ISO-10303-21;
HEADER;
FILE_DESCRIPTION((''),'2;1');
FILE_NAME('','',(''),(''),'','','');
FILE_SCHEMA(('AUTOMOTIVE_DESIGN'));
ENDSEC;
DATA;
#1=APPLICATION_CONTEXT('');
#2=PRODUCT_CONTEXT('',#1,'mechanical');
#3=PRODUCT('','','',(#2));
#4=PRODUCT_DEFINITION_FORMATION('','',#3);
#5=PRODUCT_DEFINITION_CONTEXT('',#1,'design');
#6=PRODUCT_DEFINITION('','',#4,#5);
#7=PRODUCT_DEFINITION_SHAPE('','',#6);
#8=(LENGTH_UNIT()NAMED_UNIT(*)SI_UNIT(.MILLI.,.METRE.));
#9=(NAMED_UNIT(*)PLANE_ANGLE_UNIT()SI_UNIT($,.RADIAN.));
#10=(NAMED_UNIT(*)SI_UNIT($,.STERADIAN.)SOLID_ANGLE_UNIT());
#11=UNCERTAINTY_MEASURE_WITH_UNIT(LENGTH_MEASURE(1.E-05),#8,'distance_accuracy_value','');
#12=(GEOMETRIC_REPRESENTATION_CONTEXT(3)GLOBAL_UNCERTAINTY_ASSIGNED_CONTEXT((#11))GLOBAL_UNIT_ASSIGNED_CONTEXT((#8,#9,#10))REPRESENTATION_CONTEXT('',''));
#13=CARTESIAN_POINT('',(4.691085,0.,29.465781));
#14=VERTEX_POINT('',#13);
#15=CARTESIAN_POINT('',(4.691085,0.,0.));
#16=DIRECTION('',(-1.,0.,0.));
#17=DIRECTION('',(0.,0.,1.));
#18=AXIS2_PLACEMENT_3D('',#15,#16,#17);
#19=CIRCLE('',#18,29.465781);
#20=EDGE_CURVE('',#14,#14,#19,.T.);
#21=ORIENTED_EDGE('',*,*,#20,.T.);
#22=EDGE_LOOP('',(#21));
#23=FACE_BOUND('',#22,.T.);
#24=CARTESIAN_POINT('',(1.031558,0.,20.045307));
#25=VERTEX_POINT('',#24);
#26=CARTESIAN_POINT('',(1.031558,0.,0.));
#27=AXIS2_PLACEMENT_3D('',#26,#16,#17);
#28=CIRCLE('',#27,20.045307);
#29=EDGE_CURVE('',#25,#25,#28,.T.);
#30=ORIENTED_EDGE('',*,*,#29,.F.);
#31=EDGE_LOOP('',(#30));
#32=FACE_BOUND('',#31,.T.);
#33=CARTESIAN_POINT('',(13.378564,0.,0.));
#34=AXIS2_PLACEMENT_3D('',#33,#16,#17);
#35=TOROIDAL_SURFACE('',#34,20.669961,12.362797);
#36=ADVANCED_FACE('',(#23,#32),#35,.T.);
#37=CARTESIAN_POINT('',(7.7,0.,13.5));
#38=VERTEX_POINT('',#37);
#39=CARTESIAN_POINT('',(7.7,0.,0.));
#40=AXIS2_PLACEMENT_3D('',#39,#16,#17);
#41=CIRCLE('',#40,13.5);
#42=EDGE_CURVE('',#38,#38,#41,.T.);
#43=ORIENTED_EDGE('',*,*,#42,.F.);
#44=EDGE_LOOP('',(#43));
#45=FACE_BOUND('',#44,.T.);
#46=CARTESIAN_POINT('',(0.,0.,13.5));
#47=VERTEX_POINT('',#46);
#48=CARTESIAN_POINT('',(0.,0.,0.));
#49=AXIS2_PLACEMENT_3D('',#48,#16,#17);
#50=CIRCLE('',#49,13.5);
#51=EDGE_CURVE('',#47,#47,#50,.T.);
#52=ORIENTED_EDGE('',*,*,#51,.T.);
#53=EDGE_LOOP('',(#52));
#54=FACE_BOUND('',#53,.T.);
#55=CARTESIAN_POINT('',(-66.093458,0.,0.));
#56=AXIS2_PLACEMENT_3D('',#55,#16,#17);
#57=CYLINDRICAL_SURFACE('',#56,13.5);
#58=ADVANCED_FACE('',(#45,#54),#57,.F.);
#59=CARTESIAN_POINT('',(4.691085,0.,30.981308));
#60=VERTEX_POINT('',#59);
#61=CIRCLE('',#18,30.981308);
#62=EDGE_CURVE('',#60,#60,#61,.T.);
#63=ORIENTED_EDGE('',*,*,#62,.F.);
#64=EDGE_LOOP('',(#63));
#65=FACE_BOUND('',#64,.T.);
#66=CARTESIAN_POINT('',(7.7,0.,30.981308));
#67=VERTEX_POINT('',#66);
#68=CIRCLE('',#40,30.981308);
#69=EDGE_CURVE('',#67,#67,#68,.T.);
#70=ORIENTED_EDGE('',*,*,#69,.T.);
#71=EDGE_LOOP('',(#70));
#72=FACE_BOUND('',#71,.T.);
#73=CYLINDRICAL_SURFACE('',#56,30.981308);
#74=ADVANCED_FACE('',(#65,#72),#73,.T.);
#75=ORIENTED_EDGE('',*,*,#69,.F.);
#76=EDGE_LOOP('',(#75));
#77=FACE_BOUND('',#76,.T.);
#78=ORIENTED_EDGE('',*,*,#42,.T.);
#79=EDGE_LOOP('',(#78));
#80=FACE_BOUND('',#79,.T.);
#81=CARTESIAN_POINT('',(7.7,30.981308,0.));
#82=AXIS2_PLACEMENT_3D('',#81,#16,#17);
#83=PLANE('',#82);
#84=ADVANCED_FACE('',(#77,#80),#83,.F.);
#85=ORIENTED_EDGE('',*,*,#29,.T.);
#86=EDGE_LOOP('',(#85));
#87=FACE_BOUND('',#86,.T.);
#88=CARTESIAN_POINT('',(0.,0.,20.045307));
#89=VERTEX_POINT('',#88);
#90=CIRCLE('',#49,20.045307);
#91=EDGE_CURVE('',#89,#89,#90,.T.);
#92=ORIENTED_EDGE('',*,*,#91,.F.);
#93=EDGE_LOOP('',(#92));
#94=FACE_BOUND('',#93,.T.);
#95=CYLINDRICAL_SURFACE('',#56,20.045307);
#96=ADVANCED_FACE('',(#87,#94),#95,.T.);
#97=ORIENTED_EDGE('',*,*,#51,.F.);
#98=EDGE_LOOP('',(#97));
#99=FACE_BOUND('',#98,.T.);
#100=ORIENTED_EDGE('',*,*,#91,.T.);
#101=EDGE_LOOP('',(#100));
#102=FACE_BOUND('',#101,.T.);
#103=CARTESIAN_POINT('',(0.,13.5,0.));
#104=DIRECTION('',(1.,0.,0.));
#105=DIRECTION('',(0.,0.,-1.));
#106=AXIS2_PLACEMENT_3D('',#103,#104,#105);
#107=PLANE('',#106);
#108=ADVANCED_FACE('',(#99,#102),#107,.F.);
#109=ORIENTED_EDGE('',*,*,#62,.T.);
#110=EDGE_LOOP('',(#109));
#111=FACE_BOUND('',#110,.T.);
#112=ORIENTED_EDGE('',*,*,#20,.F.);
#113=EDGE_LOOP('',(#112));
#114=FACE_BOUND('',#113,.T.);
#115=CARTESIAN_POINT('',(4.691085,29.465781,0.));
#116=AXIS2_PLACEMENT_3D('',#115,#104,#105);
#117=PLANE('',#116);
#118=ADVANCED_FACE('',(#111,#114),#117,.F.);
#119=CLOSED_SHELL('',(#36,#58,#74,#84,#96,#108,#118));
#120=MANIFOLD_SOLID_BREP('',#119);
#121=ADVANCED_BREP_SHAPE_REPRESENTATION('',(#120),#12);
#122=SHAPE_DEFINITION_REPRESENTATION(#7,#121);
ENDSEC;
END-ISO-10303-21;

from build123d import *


with BuildPart() as part:
    # Sketch1 → Revolve1 (revolve)
    with BuildSketch(Plane.XY, mode=Mode.PRIVATE) as revolve1_sk:
        with BuildLine():
            Line((0, 13.5), (0, 20.045307035))
            Line((0, 20.045307035), (1.031558465, 20.045307035))
            ThreePointArc((1.031558465, 20.045307035), (1.854731333, 25.146569177), (4.69108464, 29.465780785))
            Line((4.69108464, 29.465780785), (4.69108464, 30.981308411))
            Line((4.69108464, 30.981308411), (7.7, 30.981308411))
            Line((7.7, 30.981308411), (7.7, 13.5))
            Line((7.7, 13.5), (0, 13.5))
        make_face()
    revolve(revolve1_sk.sketch.rotate(Axis((-66.093457944, 0, 0), (1, 0, 0)), 90), axis=Axis((-66.093457944, 0, 0), (1, 0, 0)))


solid = part.part
